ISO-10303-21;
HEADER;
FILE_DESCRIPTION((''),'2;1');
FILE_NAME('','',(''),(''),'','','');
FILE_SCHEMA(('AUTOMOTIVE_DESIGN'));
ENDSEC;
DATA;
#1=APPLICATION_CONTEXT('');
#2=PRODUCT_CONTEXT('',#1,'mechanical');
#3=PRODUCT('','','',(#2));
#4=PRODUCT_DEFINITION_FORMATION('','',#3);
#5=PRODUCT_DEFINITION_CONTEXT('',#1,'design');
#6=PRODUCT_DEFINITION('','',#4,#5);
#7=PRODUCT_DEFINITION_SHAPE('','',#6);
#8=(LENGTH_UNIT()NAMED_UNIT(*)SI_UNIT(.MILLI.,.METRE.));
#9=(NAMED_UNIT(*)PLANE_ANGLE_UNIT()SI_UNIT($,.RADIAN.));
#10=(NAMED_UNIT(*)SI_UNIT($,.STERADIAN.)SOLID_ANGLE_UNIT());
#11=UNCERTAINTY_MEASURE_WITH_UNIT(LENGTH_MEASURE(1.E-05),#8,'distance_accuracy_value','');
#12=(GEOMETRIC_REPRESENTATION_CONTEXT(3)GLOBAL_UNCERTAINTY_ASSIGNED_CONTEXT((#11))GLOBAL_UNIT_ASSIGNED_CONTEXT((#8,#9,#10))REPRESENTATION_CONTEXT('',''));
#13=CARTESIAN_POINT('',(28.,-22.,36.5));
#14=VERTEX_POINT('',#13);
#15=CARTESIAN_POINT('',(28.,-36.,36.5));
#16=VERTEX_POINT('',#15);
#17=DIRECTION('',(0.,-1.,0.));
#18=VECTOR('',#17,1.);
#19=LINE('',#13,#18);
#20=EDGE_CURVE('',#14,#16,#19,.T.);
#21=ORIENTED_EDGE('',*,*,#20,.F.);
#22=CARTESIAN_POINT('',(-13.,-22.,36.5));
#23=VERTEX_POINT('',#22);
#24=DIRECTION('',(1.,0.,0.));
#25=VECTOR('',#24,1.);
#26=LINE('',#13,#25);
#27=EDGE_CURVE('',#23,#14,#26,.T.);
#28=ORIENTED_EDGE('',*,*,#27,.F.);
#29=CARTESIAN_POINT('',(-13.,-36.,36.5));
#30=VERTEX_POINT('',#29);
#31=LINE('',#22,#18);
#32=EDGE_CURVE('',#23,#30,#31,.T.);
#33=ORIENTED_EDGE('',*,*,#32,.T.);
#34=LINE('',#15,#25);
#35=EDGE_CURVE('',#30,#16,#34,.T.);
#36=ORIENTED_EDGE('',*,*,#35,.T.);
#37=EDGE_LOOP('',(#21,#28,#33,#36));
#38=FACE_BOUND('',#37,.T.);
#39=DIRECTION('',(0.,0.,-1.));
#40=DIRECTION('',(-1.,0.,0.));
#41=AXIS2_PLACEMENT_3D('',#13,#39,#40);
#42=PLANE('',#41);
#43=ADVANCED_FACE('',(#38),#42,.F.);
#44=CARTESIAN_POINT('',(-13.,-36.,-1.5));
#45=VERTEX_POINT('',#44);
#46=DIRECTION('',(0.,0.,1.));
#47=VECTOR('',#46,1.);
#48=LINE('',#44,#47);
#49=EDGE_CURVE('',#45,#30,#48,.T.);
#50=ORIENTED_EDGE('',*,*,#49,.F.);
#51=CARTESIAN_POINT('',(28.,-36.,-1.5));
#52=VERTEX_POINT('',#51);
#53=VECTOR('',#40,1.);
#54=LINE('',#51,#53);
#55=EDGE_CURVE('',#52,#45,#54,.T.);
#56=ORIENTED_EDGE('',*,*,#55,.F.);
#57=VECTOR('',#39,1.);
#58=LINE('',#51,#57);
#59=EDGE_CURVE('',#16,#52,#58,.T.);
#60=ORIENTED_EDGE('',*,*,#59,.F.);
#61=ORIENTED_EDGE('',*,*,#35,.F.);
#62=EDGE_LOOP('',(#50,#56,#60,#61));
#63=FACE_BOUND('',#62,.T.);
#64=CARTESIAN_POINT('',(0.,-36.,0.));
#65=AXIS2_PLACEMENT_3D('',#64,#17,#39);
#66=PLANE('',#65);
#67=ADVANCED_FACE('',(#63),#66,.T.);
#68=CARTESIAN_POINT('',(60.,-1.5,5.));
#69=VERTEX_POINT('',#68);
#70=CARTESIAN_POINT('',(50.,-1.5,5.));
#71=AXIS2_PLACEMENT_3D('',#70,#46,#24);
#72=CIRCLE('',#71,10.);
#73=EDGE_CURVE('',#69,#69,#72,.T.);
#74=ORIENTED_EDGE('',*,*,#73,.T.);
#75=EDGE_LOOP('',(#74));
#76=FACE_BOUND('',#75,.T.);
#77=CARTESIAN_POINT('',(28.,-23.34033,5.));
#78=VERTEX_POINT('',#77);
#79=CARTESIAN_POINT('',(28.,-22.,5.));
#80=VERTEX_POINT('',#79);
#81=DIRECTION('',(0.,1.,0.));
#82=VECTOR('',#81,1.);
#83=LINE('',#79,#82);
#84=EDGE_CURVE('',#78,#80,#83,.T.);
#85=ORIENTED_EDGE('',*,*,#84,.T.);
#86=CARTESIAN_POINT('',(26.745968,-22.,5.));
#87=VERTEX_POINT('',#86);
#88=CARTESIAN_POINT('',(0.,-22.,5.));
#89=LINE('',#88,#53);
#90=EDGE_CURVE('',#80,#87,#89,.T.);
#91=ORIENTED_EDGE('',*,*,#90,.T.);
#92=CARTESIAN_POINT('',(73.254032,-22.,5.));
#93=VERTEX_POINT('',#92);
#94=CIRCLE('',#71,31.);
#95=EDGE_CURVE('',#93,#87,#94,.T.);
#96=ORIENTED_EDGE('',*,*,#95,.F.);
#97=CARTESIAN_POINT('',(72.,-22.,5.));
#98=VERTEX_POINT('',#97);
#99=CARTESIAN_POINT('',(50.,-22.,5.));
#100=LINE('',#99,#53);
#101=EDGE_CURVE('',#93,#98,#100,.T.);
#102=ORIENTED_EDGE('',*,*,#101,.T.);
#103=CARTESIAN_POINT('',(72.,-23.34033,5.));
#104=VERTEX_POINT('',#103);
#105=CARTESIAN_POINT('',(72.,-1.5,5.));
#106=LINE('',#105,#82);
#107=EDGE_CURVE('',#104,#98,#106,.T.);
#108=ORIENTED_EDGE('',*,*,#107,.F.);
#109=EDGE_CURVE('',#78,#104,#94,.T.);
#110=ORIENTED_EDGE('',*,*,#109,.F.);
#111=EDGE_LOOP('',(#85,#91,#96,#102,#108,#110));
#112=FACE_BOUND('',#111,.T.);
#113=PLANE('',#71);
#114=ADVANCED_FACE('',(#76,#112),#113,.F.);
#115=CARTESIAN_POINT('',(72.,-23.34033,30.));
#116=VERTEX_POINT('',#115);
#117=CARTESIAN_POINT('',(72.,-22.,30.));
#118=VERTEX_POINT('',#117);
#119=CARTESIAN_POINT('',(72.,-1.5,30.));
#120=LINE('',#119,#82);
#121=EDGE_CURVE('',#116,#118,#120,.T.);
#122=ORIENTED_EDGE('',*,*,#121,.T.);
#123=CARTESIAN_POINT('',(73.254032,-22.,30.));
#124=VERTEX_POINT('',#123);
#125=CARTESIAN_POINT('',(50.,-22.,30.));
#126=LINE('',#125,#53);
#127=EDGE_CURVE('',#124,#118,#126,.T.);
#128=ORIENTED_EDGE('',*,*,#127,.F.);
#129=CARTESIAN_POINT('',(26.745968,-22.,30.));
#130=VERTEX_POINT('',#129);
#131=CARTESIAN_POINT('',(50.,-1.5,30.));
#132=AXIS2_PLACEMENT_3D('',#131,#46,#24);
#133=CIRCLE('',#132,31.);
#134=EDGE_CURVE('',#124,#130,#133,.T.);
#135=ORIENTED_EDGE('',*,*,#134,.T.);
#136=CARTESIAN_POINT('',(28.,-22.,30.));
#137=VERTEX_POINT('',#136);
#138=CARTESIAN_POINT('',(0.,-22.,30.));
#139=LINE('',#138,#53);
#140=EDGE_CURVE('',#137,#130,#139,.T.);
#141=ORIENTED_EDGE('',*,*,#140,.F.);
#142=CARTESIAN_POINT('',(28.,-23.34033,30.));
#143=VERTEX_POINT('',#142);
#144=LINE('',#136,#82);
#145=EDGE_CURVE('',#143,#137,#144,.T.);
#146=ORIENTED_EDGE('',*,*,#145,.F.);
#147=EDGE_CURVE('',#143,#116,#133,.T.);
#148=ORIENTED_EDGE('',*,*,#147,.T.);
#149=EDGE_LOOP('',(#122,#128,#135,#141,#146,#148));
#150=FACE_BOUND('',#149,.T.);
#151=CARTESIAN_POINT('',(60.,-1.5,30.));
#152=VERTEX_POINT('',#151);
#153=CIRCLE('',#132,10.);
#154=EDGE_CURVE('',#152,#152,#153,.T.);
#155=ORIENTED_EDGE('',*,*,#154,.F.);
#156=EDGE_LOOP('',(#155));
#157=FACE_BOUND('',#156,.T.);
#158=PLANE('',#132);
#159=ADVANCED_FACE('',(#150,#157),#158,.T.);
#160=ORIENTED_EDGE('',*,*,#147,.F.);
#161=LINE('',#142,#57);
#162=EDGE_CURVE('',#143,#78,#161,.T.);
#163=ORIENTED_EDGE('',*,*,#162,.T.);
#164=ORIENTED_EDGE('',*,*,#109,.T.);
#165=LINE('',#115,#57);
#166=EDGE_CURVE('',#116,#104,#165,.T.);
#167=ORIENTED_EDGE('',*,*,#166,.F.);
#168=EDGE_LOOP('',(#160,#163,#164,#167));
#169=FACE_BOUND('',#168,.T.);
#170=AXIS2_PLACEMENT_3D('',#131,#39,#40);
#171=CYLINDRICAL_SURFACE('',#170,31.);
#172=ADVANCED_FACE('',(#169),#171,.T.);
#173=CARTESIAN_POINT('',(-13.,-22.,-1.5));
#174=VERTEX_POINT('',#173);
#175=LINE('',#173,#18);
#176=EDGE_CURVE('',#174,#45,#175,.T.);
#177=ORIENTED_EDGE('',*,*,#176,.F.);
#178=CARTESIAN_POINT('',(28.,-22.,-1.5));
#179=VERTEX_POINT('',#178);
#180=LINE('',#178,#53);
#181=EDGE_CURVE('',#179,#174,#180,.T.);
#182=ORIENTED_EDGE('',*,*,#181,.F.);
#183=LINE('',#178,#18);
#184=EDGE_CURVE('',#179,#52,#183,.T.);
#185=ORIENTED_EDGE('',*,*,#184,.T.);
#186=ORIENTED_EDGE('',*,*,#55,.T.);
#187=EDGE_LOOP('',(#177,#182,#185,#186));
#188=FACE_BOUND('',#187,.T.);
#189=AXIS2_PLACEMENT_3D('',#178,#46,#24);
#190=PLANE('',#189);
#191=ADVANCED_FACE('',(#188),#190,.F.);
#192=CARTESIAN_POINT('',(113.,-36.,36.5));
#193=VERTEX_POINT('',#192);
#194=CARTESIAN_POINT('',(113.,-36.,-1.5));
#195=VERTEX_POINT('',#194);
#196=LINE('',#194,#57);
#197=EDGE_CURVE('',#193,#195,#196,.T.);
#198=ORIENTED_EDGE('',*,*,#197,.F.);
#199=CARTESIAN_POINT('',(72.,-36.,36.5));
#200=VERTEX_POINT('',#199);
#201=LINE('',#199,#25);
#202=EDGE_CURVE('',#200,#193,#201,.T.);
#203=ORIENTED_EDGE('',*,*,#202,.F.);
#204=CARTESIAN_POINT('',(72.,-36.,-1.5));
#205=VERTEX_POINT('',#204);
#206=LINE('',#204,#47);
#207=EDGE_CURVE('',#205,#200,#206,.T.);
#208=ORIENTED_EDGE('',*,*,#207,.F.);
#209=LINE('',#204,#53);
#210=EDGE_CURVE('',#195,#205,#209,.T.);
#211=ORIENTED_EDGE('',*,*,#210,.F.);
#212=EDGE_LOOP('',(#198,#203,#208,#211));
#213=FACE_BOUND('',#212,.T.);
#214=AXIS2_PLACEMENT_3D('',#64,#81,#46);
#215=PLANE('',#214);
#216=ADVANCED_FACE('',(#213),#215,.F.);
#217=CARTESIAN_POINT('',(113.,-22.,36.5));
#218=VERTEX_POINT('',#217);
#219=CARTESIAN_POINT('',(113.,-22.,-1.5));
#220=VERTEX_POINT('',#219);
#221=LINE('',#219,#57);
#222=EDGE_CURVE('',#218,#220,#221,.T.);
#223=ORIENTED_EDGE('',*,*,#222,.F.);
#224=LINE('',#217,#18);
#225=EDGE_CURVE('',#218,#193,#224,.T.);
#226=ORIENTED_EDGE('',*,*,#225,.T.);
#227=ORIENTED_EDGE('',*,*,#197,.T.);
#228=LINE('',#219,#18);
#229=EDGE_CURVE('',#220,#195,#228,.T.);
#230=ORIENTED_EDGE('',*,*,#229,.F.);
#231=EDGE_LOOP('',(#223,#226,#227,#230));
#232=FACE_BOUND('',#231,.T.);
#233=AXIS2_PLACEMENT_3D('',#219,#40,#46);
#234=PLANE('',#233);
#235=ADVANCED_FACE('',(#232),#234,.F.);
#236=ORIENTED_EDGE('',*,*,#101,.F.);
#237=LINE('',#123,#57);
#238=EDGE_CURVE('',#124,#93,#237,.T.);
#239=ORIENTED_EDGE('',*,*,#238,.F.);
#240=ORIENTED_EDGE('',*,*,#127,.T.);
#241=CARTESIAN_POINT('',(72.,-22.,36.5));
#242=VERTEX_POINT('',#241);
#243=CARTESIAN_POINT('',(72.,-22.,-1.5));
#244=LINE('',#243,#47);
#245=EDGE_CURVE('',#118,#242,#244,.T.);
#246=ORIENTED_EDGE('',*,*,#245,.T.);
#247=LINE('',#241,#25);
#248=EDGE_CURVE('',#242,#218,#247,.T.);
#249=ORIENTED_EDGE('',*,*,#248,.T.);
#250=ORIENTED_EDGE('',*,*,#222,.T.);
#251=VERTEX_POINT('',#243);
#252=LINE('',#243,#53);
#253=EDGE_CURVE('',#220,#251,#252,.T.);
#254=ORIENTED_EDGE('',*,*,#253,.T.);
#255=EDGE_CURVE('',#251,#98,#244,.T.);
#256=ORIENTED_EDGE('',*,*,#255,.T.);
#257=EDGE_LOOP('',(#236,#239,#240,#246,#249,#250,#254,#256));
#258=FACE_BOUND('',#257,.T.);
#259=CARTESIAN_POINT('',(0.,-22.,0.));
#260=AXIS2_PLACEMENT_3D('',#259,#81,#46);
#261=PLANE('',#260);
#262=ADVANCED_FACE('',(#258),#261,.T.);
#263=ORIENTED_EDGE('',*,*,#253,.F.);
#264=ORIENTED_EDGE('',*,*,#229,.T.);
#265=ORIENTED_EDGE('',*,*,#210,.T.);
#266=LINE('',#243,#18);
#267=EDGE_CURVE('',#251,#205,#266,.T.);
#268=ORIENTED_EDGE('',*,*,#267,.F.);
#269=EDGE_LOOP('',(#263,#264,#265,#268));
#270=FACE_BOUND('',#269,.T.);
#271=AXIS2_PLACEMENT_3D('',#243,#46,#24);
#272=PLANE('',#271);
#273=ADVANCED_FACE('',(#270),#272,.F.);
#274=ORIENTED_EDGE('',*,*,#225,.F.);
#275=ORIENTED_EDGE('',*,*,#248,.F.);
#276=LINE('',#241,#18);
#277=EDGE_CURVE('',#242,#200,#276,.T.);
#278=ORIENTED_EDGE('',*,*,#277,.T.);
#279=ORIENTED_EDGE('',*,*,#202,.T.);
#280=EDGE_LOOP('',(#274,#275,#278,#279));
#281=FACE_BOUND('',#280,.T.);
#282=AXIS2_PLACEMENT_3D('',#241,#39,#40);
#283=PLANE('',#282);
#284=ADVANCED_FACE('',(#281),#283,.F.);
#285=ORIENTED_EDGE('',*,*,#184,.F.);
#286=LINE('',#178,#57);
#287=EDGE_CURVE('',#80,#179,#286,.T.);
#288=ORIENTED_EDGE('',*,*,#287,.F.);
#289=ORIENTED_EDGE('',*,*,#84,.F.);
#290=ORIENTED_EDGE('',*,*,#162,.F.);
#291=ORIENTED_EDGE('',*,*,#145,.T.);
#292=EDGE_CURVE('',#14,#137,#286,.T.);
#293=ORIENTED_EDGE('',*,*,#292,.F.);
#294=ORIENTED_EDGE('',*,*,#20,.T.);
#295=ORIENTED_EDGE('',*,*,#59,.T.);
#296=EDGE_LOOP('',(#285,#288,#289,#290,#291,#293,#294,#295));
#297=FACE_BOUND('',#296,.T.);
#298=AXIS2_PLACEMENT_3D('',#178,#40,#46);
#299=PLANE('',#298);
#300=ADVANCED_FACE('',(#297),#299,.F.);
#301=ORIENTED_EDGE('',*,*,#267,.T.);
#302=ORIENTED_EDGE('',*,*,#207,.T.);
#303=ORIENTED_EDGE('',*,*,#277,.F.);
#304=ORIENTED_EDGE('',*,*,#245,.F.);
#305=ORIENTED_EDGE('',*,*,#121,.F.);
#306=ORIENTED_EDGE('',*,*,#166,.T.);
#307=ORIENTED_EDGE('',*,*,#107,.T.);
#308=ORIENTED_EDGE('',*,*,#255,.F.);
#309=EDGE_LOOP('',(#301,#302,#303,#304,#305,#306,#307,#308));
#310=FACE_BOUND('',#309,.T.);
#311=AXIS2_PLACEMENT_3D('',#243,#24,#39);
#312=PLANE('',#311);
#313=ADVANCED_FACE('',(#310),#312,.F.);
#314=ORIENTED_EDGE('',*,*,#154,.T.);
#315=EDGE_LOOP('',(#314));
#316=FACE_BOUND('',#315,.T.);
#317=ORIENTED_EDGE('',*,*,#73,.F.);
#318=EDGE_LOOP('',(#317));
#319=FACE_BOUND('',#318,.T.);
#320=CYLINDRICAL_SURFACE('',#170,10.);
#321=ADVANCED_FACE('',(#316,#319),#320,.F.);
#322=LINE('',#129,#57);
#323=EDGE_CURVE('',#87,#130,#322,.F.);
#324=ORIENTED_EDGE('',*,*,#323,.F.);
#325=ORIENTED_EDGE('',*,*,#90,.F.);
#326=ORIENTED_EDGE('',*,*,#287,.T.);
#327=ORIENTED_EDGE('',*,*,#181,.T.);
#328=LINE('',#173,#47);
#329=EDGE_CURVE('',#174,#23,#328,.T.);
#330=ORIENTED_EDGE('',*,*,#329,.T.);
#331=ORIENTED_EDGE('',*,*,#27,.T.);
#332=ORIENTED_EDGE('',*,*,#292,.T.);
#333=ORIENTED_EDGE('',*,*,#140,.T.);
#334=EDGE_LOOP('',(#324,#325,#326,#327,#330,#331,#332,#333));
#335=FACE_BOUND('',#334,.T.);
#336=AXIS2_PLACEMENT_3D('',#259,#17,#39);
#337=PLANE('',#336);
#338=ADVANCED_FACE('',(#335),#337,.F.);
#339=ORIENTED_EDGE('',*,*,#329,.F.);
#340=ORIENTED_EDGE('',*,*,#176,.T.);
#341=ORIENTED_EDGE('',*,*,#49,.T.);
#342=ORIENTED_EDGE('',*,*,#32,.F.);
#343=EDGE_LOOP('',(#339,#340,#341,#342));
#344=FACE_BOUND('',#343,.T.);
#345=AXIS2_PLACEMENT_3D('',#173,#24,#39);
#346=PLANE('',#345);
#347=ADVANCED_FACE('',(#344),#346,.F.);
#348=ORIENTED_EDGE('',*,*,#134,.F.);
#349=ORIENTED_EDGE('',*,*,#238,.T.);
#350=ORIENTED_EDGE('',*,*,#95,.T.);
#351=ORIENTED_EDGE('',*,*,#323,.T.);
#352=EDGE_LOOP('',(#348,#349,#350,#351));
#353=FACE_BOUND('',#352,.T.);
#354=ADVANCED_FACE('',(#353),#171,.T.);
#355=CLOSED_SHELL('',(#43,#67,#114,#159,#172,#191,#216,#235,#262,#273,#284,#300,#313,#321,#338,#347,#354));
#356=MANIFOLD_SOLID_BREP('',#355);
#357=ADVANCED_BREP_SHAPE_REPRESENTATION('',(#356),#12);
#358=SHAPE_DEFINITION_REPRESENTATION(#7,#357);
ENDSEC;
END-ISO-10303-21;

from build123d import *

# Parameters (mm, degrees)
SKETCH_13_W           = 41
SKETCH_13_H           = 38
BOSS_EXTRUDE1_DEPTH   = 14
BOSS_EXTRUDE1_2_DEPTH = 14
SKETCH1_R             = 31
SKETCH1_R_2           = 10
BOSS_EXTRUDE2_DEPTH   = 25


with BuildPart() as part:
    # Эскиз13 → Boss-Extrude1 (new body)
    with BuildSketch(Plane(origin=(0, -36, 0), x_dir=(-1, 0, 0), z_dir=(0, 1, 0))):
        with Locations((-7.5, 17.5)):
            Rectangle(SKETCH_13_W, SKETCH_13_H)
    extrude(amount=BOSS_EXTRUDE1_DEPTH)



with BuildPart() as body_2:
    # Эскиз13 → Boss-Extrude1 2 (new body)
    with BuildSketch(Plane(origin=(0, -36, 0), x_dir=(-1, 0, 0), z_dir=(0, 1, 0))):
        with Locations((-92.5, 17.5)):
            Rectangle(SKETCH_13_W, SKETCH_13_H)
    extrude(amount=BOSS_EXTRUDE1_2_DEPTH)


with BuildPart() as part_1:
    add(part.part)

    add(body_2.part)  # Boss-Extrude2 merges body 2
    # Sketch1 → Boss-Extrude2 (add)
    with BuildSketch(Plane.XY.offset(5)):
        with Locations((50, -1.5)):
            Circle(SKETCH1_R)
        with Locations((50, -1.5)):
            Circle(SKETCH1_R_2, mode=Mode.SUBTRACT)
    extrude(amount=BOSS_EXTRUDE2_DEPTH)


solid = part_1.part
